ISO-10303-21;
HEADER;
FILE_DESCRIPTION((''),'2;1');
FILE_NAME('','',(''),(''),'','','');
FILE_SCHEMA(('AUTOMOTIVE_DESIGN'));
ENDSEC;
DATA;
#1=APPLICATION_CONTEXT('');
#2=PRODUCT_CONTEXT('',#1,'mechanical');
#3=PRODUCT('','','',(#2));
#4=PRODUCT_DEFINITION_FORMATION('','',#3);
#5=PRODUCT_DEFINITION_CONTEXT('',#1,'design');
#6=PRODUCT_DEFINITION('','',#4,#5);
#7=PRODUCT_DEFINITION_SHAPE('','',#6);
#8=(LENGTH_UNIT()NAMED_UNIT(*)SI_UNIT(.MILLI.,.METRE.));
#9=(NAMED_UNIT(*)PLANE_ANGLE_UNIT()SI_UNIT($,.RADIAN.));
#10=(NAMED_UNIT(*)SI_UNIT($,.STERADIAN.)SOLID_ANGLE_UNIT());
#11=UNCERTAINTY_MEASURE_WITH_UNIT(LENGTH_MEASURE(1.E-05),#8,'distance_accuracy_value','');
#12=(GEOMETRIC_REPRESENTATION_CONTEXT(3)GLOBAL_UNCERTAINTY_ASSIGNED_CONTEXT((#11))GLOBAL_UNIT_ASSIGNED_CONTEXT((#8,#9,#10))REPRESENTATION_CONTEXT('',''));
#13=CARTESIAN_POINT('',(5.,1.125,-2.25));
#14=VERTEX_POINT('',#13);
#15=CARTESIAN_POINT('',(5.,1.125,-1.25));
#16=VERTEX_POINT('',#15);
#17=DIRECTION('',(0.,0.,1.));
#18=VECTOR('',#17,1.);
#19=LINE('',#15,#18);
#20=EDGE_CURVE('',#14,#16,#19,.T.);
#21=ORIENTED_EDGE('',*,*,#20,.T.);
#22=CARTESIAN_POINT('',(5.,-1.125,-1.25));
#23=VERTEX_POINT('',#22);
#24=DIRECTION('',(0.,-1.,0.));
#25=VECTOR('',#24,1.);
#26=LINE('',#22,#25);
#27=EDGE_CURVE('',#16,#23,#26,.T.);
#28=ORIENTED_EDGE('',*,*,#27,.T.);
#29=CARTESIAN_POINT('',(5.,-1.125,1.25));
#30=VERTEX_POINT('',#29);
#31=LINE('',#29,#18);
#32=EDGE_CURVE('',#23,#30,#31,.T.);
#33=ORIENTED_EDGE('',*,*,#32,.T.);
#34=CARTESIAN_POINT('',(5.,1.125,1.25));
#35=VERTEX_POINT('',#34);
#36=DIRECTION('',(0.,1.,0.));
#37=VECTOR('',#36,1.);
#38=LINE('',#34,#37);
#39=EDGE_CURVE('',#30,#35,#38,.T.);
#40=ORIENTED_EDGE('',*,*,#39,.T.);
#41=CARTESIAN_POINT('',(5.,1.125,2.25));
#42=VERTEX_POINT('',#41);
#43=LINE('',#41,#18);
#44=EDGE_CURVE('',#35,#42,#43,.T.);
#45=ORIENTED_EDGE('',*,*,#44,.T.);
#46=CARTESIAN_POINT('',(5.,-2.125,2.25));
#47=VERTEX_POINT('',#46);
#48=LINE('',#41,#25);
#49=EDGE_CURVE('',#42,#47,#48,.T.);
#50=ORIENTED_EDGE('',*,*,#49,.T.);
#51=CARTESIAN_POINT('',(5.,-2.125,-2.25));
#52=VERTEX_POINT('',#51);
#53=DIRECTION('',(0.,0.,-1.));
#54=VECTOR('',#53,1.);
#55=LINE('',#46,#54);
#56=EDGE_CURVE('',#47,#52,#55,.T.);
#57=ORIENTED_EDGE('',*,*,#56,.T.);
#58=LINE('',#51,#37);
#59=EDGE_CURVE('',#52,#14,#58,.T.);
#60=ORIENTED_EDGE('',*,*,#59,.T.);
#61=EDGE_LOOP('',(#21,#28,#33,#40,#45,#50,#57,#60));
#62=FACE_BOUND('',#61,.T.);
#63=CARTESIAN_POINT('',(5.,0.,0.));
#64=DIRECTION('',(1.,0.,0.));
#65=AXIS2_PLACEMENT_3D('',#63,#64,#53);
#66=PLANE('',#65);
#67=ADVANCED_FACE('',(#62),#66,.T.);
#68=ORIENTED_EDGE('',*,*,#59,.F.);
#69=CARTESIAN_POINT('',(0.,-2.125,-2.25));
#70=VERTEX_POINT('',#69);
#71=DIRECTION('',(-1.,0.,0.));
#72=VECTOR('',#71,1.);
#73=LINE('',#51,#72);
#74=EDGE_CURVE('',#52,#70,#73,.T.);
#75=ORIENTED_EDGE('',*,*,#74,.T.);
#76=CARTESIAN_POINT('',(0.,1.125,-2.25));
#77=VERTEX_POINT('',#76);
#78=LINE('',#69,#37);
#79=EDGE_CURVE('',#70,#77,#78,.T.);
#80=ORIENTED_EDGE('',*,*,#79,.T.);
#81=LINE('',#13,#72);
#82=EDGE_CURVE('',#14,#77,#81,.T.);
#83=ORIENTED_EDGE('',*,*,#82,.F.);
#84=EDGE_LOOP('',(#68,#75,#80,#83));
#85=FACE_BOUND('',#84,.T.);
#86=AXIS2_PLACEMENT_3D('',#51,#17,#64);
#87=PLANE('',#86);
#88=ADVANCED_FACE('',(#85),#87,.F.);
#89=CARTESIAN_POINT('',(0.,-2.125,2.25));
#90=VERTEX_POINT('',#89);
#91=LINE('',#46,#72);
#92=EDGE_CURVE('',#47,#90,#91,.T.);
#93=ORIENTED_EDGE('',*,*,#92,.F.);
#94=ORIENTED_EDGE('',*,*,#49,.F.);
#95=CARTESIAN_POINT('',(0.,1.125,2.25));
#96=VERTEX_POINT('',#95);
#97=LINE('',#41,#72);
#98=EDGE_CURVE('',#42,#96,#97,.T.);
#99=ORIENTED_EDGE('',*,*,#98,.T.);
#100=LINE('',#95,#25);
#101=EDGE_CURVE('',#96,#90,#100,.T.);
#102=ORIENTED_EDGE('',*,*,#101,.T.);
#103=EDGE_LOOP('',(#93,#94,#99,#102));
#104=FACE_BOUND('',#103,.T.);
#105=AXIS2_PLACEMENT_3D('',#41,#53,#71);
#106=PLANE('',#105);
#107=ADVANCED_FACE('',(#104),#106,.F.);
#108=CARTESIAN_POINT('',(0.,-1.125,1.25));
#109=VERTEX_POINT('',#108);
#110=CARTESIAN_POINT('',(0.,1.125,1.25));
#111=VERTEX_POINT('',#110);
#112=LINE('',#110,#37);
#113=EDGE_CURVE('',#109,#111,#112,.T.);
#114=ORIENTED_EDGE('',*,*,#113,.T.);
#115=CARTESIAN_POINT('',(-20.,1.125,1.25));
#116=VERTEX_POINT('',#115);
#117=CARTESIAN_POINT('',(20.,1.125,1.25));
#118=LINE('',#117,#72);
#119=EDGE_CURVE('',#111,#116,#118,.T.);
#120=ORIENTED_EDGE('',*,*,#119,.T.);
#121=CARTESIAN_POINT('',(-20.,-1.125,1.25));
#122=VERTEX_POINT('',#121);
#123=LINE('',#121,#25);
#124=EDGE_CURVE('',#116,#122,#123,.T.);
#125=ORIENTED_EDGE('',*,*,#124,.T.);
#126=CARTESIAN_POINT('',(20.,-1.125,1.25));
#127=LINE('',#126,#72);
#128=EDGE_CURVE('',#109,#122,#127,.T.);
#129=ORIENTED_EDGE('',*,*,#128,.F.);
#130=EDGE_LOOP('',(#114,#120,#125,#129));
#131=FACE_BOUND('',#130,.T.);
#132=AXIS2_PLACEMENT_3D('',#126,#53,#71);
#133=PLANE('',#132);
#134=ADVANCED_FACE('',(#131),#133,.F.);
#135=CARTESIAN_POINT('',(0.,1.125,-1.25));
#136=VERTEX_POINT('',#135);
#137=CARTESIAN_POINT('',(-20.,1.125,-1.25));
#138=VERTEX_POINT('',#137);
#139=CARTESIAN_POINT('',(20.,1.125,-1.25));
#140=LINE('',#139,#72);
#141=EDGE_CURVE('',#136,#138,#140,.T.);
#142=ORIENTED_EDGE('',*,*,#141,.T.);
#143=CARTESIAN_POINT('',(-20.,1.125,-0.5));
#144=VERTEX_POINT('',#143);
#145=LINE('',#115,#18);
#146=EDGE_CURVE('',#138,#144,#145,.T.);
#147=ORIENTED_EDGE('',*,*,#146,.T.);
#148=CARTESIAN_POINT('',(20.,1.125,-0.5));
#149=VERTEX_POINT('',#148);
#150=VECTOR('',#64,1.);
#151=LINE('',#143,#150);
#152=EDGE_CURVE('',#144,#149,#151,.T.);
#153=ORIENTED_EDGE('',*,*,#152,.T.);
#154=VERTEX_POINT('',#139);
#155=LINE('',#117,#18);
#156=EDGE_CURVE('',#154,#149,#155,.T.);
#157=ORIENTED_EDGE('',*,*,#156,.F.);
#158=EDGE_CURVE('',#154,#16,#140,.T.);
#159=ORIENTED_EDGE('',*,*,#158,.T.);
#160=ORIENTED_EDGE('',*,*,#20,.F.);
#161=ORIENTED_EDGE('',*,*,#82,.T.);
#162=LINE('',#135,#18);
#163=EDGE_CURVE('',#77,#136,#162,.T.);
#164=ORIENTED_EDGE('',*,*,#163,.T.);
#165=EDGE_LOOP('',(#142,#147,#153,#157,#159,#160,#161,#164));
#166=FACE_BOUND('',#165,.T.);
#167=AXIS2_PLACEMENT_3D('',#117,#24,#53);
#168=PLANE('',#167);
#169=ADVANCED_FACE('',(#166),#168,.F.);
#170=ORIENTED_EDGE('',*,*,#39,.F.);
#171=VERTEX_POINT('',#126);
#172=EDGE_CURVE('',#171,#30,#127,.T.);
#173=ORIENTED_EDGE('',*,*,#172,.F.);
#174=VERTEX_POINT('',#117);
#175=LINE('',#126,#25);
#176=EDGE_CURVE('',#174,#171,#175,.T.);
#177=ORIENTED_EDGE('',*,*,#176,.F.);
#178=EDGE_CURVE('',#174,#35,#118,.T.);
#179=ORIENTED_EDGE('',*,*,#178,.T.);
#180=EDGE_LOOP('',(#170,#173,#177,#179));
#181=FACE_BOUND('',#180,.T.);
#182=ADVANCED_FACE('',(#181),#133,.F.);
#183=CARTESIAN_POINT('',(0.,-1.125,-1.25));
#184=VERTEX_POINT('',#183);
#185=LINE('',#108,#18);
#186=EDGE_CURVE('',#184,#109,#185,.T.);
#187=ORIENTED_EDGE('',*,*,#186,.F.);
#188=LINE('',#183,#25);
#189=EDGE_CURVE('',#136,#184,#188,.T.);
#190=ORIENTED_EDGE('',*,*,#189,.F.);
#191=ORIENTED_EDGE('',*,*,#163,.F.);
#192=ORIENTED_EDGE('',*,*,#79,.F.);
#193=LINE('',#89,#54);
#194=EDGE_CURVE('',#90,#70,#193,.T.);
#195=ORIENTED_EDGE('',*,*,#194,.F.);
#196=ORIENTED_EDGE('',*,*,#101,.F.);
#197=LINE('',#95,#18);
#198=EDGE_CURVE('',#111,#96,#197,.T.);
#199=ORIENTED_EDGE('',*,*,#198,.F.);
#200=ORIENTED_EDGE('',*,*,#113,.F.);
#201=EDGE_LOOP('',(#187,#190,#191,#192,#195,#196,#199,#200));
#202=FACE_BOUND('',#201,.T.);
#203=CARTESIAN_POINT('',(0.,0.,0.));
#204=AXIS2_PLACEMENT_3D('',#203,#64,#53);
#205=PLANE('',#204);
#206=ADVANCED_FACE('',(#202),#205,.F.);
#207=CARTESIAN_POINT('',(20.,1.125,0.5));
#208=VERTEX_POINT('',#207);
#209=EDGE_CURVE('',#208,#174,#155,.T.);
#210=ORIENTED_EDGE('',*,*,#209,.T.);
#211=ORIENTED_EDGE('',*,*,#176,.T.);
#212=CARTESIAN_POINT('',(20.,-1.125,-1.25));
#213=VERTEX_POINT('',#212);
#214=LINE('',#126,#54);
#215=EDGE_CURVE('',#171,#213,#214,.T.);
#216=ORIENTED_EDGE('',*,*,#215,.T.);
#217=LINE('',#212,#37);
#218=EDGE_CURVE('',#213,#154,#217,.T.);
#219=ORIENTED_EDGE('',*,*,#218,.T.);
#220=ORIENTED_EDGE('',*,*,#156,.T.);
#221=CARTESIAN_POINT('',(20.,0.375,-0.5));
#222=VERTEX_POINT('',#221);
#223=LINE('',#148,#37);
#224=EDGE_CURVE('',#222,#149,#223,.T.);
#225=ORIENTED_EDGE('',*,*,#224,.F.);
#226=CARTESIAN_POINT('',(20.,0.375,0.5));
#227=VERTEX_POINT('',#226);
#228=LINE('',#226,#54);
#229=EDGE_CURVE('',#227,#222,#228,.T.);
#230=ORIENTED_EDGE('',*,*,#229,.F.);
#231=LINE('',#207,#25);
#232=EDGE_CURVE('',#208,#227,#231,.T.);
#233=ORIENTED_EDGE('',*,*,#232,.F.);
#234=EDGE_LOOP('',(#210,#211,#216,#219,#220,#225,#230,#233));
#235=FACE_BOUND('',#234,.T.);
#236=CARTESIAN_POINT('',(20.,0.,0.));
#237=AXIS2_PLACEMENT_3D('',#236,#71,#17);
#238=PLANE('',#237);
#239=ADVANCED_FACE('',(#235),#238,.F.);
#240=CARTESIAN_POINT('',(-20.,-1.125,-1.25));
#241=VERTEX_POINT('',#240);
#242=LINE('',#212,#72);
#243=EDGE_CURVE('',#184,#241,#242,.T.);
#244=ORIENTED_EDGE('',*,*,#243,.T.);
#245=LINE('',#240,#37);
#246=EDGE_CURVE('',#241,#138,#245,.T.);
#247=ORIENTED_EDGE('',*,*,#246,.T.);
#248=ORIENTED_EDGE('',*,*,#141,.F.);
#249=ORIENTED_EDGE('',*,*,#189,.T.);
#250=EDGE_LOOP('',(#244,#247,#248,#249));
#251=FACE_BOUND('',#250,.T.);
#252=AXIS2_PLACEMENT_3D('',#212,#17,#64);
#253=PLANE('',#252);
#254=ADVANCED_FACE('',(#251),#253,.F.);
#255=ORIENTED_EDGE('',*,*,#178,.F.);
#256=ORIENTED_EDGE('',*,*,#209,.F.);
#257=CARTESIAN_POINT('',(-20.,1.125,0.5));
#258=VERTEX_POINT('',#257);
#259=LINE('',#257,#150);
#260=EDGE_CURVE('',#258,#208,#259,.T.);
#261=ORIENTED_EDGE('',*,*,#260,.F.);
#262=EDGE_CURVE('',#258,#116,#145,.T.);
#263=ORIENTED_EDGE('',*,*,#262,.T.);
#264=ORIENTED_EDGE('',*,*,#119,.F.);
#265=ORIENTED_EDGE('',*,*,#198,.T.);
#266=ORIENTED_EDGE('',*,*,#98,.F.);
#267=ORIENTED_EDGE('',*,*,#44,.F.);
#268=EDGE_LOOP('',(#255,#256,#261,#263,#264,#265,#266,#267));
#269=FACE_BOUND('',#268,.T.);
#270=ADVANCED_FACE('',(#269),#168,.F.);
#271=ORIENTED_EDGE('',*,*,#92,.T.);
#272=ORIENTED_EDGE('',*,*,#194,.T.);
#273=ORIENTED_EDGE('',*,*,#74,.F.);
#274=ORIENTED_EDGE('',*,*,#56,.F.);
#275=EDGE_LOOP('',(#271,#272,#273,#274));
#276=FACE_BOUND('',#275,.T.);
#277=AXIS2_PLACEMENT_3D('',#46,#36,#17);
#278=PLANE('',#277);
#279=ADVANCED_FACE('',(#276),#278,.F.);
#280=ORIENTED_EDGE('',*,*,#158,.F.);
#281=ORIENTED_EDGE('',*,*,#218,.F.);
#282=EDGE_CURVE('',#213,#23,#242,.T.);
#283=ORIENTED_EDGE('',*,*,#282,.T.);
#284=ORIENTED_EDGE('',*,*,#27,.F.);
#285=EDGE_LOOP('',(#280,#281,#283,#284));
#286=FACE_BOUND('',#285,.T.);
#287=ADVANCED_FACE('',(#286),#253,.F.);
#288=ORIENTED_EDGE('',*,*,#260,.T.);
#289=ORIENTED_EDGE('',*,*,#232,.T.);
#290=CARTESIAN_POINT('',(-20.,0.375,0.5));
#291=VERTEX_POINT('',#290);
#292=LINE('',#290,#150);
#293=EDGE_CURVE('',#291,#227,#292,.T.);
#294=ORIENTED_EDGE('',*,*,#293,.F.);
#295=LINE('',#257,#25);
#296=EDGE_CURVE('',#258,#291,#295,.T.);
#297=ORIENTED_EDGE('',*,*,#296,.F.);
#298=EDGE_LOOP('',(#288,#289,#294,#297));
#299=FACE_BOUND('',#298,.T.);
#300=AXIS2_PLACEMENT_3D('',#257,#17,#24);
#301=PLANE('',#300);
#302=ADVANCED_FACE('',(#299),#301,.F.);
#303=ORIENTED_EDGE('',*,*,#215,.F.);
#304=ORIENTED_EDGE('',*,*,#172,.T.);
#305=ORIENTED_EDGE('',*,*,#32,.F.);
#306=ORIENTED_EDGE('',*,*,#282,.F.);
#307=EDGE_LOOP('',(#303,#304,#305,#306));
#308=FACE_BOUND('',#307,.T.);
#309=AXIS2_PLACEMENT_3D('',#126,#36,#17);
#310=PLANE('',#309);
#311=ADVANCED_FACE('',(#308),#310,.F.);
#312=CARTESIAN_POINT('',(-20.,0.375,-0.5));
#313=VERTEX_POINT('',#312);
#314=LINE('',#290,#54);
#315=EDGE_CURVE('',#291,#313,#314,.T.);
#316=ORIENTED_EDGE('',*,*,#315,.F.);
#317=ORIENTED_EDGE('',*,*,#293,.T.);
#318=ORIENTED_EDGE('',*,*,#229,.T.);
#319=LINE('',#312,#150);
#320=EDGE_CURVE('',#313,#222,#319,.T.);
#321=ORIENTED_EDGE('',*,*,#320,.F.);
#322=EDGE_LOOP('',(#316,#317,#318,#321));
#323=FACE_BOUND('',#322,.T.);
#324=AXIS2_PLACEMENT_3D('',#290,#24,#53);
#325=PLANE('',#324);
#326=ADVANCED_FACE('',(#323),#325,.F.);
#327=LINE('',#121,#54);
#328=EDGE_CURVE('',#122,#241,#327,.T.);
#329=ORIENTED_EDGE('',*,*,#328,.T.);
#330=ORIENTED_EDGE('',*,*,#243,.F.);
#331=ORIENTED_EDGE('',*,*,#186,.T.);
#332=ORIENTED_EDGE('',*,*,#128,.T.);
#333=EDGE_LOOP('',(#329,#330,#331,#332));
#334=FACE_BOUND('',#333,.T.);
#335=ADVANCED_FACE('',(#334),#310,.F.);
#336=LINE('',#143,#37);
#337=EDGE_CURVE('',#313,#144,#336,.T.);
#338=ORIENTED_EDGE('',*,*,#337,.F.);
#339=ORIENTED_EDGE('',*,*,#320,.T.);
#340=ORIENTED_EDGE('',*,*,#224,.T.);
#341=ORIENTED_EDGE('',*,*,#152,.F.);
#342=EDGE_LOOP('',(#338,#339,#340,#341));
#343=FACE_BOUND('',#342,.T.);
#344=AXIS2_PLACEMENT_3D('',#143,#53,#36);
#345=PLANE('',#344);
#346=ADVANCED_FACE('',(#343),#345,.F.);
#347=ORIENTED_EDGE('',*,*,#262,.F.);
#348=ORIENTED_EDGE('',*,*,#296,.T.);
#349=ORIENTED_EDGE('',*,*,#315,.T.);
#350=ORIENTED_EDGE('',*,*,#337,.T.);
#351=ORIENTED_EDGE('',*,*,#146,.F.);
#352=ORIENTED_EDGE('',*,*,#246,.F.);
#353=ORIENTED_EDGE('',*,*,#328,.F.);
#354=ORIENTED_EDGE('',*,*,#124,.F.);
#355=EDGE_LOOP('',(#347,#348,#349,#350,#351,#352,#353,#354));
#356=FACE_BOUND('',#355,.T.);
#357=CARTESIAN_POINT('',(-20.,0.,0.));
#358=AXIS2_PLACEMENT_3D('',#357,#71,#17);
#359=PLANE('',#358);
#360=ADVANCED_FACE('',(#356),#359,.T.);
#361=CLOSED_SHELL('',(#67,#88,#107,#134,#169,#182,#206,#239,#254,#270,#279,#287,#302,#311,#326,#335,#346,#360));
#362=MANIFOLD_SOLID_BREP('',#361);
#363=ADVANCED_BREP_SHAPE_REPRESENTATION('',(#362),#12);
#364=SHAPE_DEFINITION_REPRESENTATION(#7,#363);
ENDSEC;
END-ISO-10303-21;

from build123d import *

# Parameters (mm, degrees)
SKETCH6_W               = 2.5
SKETCH6_H               = 2.25
BOSS_EXTRUDE1_DEPTH     = 20
CUT_EXTRUDE1_DEPTH      = 21.070578592
CUT_EXTRUDE1_DEPTH_BACK = 21.070578592
SKETCH7_W               = 1
SKETCH7_H               = 0.75
BOSS_EXTRUDE2_DEPTH     = 5


with BuildPart() as part:
    # Sketch6 → Boss-Extrude1 (new, symmetric)
    with BuildSketch(Plane(origin=(0, 0, 0), x_dir=(0, 0, -1), z_dir=(1, 0, 0))):
        Rectangle(SKETCH6_W, SKETCH6_H)
    extrude(amount=BOSS_EXTRUDE1_DEPTH, both=True)

    # Sketch7 → Cut-Extrude1 (cut, two sides: drawn at the far end of the back side and taken through both)
    with BuildSketch(Plane(origin=(0, 0, 0), x_dir=(0, 0, -1), z_dir=(1, 0, 0)).offset(-CUT_EXTRUDE1_DEPTH_BACK)):
        with Locations((0, 0.75)):
            Rectangle(SKETCH7_W, SKETCH7_H)
    extrude(amount=CUT_EXTRUDE1_DEPTH + CUT_EXTRUDE1_DEPTH_BACK, mode=Mode.SUBTRACT)

    # Sketch8 → Boss-Extrude2 (add)
    with BuildSketch(Plane(origin=(0, 0, 0), x_dir=(0, 0, -1), z_dir=(1, 0, 0))):
        Polygon((-2.25, 1.125), (-1.25, 1.125), (-1.25, -1.125), (1.25, -1.125), (1.25, 1.125), (2.25, 1.125), (2.25, -2.125), (-2.25, -2.125), align=None)
    extrude(amount=BOSS_EXTRUDE2_DEPTH)


solid = part.part
